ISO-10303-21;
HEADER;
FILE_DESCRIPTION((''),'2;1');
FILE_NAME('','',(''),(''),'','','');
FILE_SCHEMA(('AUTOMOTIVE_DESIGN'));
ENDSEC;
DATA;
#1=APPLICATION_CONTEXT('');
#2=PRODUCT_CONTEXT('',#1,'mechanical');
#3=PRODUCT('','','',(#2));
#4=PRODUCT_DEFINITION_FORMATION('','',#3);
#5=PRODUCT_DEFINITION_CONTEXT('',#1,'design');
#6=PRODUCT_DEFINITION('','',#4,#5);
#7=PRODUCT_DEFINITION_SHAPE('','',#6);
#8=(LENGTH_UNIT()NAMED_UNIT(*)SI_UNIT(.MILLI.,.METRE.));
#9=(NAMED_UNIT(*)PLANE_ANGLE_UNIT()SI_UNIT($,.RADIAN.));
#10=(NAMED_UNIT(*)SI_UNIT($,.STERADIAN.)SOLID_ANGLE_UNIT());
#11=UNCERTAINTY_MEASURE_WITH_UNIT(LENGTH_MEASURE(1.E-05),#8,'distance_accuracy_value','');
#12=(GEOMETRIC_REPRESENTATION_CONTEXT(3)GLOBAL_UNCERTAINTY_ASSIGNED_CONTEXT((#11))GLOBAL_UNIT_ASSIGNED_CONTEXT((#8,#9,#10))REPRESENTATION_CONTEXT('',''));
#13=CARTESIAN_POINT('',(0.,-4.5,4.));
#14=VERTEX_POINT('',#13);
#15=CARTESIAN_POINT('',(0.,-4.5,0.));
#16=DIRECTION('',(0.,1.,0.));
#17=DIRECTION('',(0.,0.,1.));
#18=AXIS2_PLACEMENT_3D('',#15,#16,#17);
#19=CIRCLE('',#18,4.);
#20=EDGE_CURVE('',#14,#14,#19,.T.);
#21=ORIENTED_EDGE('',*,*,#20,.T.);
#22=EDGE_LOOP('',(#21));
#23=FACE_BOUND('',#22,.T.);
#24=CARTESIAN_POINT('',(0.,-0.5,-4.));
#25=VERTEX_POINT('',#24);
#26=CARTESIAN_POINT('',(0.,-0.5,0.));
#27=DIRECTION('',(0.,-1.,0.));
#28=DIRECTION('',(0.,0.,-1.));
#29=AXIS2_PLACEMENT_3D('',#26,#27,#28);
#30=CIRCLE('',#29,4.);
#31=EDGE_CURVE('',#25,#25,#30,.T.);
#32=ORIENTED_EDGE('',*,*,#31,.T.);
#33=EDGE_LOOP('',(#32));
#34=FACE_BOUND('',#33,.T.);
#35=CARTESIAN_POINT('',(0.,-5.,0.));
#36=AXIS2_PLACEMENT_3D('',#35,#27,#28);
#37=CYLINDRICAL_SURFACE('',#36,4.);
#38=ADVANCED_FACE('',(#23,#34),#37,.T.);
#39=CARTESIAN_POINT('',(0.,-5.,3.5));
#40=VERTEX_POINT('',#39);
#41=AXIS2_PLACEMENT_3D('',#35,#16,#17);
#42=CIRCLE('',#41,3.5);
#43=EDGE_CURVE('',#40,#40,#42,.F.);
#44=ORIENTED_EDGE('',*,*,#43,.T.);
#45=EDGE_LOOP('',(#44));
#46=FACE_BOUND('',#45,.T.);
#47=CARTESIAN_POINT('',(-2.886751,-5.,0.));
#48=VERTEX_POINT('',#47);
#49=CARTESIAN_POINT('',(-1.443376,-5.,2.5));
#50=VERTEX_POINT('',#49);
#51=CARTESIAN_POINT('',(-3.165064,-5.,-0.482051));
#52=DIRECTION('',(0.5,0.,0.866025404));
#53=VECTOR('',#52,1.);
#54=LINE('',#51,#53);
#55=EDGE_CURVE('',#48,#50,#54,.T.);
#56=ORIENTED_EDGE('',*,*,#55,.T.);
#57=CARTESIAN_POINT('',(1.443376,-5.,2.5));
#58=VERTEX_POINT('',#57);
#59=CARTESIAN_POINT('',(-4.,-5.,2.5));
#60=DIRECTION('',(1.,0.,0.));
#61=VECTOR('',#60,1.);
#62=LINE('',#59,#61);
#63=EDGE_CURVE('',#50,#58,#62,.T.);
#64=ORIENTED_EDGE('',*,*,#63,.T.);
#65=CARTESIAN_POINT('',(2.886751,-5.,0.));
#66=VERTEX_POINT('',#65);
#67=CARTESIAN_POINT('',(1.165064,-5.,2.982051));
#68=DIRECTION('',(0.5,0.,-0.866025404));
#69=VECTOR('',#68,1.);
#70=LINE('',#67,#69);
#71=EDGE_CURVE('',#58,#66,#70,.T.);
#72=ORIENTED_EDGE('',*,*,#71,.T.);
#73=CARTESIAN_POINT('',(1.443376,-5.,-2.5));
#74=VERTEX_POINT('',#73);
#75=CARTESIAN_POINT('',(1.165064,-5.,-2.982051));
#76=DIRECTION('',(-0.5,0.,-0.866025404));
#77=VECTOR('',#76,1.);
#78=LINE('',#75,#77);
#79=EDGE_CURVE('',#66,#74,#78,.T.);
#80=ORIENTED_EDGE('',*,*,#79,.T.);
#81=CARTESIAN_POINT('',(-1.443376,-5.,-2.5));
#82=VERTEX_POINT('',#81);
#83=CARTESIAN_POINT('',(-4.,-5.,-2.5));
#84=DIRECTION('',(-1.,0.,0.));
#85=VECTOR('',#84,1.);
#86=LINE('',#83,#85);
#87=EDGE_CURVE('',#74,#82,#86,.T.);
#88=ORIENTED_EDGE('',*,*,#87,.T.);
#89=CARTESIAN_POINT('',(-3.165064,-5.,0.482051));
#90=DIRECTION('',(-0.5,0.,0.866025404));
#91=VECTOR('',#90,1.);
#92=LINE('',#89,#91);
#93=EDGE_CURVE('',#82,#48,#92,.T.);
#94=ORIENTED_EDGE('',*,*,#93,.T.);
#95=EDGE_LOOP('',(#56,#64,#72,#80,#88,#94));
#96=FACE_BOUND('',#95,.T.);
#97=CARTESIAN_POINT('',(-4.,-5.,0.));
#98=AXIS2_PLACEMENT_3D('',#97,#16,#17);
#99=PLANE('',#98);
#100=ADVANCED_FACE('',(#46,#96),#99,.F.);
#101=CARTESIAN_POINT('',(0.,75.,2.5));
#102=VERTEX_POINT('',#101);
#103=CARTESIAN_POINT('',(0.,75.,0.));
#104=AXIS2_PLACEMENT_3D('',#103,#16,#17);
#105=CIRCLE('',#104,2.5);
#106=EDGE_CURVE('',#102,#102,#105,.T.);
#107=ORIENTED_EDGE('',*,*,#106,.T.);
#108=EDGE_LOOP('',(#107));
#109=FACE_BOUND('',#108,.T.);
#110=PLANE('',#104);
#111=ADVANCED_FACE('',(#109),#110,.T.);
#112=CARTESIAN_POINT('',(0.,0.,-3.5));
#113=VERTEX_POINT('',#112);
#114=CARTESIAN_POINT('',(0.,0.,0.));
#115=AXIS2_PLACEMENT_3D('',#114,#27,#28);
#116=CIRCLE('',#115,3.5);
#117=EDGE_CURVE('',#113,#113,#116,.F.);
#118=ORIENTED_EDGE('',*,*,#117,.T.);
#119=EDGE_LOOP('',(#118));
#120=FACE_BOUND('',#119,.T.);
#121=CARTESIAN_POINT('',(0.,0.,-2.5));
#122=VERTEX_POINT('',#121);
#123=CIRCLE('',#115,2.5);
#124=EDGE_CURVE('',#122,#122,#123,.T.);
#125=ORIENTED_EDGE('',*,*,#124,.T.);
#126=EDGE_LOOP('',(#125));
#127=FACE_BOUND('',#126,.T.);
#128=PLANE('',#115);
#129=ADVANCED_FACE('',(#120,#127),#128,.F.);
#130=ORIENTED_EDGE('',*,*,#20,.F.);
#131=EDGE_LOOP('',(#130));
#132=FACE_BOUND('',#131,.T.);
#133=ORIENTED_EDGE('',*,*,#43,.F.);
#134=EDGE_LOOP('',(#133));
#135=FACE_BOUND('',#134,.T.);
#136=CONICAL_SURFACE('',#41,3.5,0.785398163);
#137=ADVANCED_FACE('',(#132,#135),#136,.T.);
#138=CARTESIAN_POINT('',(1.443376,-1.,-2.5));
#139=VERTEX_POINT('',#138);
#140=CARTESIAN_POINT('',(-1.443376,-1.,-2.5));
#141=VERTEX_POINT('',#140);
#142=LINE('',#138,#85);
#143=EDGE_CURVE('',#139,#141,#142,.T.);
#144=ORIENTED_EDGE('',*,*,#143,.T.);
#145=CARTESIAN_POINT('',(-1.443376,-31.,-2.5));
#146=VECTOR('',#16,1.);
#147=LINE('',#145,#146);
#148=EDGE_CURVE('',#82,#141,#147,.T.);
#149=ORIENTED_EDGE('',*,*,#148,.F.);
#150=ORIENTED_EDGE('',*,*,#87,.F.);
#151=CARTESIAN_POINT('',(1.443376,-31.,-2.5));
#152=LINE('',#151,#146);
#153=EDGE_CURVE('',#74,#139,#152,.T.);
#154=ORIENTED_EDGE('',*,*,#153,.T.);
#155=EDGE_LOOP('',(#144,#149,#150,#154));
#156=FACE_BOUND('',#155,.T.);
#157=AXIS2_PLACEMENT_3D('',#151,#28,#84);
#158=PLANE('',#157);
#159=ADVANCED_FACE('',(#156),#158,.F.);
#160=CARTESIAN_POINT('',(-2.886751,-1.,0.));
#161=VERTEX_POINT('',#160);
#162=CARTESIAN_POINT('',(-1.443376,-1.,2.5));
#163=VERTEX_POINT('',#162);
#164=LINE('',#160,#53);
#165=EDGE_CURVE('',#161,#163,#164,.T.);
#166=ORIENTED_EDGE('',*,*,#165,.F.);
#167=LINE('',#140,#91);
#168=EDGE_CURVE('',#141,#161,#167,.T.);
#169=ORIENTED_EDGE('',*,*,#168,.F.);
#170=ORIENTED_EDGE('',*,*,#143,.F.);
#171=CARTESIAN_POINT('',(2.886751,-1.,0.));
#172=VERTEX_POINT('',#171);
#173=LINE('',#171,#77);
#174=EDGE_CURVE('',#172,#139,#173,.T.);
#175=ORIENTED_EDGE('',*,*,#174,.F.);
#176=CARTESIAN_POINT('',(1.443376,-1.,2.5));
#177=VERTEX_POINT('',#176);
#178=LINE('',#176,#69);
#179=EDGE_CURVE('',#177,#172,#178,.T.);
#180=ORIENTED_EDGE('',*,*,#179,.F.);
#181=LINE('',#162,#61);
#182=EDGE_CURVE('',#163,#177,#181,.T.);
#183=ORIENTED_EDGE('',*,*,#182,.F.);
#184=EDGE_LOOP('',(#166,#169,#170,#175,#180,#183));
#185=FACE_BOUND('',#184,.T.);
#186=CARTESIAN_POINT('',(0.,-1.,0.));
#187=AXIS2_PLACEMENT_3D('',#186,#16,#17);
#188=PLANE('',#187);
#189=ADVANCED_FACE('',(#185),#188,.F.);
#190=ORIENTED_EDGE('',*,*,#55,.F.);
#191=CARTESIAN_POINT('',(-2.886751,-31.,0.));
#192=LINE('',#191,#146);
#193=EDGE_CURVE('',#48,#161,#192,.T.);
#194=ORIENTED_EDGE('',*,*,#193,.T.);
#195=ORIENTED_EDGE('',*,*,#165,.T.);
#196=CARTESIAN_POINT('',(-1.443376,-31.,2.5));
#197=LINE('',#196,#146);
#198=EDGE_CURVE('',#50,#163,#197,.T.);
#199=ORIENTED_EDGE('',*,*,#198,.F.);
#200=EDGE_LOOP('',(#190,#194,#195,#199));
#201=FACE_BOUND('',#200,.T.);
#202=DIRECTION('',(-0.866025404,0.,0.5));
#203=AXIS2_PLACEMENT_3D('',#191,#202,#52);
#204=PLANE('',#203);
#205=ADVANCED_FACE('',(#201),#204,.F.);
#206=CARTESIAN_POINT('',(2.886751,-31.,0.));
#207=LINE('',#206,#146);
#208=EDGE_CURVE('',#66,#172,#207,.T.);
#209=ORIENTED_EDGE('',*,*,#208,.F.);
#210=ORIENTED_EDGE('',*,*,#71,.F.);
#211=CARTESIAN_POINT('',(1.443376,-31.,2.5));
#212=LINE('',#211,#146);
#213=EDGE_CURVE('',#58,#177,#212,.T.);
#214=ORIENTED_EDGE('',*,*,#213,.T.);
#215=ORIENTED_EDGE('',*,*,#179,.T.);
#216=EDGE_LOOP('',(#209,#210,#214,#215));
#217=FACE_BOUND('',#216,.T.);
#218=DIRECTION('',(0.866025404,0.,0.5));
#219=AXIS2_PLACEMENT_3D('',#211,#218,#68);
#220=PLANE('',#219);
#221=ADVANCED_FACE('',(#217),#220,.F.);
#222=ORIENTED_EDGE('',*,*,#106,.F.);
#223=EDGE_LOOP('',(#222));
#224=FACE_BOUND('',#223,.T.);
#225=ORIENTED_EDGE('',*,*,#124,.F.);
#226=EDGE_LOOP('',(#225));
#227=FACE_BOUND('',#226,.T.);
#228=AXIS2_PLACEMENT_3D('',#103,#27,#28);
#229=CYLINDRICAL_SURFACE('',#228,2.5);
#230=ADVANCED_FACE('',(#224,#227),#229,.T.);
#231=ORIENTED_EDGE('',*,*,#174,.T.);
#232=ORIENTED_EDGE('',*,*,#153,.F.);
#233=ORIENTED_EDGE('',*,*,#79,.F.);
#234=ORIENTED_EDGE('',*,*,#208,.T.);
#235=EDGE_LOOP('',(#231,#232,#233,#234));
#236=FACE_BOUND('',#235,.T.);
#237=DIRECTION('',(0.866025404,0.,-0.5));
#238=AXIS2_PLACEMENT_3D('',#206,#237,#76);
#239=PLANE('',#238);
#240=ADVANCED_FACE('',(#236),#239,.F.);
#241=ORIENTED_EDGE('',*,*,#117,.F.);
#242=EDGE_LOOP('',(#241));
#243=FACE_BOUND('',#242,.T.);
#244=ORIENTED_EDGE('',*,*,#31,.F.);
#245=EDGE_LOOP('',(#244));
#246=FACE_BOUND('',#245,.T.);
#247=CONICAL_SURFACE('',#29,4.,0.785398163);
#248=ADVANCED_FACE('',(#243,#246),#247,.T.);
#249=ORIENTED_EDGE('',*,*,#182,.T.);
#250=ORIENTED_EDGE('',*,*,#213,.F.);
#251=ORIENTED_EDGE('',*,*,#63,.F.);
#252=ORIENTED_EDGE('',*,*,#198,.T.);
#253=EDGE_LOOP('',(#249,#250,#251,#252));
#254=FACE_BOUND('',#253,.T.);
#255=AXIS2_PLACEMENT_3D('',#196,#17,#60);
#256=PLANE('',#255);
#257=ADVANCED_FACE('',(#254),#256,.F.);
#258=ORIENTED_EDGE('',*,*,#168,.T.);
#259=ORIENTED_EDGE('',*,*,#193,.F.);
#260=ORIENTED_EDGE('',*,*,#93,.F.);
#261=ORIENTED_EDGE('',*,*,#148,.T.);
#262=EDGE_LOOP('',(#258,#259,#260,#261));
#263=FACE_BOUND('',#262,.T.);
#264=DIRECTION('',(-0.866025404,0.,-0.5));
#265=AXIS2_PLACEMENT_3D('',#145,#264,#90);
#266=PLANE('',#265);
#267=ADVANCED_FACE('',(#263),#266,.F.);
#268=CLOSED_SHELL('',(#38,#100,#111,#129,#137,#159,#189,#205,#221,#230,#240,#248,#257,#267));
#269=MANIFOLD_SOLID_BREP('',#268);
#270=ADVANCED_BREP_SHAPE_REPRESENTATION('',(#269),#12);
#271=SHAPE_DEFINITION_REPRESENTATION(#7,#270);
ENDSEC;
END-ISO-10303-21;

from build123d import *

# Parameters (mm, degrees)
SKETCH1_R           = 2.5
BOSS_EXTRUDE1_DEPTH = 75
SKETCH3_W           = 4
SKETCH3_H           = 5
CUT_EXTRUDE1_START  = -1
CUT_EXTRUDE1_DEPTH  = 30
CHAMFER1_SIZE       = 0.5


with BuildPart() as part:
    # Sketch1 → Boss-Extrude1 (new body)
    with BuildSketch(Plane(origin=(0, 0, 0), x_dir=(1, 0, 0), z_dir=(0, 1, 0))):
        with Locations(Location((0, 0, 0), (0, 0, 270))):
            Circle(SKETCH1_R)
    extrude(amount=BOSS_EXTRUDE1_DEPTH)

    # Sketch3 → Revolve1 (revolve)
    with BuildSketch(Plane.XY, mode=Mode.PRIVATE) as revolve1_sk:
        with Locations((-2, -2.5)):
            Rectangle(SKETCH3_W, SKETCH3_H)
    revolve(revolve1_sk.sketch.rotate(Axis((0, -5, 0), (0, 1, 0)), 270), axis=Axis((0, -5, 0), (0, 1, 0)))

    # Sketch4 → Cut-Extrude1 (cut)
    with BuildSketch(Plane(origin=(0, 0, 0), x_dir=(1, 0, 0), z_dir=(0, 1, 0)).offset(CUT_EXTRUDE1_START)):
        Polygon((2.886751346, 0), (1.443375673, 2.5), (-1.443375673, 2.5), (-2.886751346, 0), (-1.443375673, -2.5), (1.443375673, -2.5), align=None)
    extrude(amount=-CUT_EXTRUDE1_DEPTH, mode=Mode.SUBTRACT)

    # Chamfer1
    chamfer1_edges = [part.edges().sort_by_distance(p)[0] for p in [
        (0, 0, 4),
        (0, -5, 4),
    ]]
    chamfer(chamfer1_edges, length=CHAMFER1_SIZE)


solid = part.part
